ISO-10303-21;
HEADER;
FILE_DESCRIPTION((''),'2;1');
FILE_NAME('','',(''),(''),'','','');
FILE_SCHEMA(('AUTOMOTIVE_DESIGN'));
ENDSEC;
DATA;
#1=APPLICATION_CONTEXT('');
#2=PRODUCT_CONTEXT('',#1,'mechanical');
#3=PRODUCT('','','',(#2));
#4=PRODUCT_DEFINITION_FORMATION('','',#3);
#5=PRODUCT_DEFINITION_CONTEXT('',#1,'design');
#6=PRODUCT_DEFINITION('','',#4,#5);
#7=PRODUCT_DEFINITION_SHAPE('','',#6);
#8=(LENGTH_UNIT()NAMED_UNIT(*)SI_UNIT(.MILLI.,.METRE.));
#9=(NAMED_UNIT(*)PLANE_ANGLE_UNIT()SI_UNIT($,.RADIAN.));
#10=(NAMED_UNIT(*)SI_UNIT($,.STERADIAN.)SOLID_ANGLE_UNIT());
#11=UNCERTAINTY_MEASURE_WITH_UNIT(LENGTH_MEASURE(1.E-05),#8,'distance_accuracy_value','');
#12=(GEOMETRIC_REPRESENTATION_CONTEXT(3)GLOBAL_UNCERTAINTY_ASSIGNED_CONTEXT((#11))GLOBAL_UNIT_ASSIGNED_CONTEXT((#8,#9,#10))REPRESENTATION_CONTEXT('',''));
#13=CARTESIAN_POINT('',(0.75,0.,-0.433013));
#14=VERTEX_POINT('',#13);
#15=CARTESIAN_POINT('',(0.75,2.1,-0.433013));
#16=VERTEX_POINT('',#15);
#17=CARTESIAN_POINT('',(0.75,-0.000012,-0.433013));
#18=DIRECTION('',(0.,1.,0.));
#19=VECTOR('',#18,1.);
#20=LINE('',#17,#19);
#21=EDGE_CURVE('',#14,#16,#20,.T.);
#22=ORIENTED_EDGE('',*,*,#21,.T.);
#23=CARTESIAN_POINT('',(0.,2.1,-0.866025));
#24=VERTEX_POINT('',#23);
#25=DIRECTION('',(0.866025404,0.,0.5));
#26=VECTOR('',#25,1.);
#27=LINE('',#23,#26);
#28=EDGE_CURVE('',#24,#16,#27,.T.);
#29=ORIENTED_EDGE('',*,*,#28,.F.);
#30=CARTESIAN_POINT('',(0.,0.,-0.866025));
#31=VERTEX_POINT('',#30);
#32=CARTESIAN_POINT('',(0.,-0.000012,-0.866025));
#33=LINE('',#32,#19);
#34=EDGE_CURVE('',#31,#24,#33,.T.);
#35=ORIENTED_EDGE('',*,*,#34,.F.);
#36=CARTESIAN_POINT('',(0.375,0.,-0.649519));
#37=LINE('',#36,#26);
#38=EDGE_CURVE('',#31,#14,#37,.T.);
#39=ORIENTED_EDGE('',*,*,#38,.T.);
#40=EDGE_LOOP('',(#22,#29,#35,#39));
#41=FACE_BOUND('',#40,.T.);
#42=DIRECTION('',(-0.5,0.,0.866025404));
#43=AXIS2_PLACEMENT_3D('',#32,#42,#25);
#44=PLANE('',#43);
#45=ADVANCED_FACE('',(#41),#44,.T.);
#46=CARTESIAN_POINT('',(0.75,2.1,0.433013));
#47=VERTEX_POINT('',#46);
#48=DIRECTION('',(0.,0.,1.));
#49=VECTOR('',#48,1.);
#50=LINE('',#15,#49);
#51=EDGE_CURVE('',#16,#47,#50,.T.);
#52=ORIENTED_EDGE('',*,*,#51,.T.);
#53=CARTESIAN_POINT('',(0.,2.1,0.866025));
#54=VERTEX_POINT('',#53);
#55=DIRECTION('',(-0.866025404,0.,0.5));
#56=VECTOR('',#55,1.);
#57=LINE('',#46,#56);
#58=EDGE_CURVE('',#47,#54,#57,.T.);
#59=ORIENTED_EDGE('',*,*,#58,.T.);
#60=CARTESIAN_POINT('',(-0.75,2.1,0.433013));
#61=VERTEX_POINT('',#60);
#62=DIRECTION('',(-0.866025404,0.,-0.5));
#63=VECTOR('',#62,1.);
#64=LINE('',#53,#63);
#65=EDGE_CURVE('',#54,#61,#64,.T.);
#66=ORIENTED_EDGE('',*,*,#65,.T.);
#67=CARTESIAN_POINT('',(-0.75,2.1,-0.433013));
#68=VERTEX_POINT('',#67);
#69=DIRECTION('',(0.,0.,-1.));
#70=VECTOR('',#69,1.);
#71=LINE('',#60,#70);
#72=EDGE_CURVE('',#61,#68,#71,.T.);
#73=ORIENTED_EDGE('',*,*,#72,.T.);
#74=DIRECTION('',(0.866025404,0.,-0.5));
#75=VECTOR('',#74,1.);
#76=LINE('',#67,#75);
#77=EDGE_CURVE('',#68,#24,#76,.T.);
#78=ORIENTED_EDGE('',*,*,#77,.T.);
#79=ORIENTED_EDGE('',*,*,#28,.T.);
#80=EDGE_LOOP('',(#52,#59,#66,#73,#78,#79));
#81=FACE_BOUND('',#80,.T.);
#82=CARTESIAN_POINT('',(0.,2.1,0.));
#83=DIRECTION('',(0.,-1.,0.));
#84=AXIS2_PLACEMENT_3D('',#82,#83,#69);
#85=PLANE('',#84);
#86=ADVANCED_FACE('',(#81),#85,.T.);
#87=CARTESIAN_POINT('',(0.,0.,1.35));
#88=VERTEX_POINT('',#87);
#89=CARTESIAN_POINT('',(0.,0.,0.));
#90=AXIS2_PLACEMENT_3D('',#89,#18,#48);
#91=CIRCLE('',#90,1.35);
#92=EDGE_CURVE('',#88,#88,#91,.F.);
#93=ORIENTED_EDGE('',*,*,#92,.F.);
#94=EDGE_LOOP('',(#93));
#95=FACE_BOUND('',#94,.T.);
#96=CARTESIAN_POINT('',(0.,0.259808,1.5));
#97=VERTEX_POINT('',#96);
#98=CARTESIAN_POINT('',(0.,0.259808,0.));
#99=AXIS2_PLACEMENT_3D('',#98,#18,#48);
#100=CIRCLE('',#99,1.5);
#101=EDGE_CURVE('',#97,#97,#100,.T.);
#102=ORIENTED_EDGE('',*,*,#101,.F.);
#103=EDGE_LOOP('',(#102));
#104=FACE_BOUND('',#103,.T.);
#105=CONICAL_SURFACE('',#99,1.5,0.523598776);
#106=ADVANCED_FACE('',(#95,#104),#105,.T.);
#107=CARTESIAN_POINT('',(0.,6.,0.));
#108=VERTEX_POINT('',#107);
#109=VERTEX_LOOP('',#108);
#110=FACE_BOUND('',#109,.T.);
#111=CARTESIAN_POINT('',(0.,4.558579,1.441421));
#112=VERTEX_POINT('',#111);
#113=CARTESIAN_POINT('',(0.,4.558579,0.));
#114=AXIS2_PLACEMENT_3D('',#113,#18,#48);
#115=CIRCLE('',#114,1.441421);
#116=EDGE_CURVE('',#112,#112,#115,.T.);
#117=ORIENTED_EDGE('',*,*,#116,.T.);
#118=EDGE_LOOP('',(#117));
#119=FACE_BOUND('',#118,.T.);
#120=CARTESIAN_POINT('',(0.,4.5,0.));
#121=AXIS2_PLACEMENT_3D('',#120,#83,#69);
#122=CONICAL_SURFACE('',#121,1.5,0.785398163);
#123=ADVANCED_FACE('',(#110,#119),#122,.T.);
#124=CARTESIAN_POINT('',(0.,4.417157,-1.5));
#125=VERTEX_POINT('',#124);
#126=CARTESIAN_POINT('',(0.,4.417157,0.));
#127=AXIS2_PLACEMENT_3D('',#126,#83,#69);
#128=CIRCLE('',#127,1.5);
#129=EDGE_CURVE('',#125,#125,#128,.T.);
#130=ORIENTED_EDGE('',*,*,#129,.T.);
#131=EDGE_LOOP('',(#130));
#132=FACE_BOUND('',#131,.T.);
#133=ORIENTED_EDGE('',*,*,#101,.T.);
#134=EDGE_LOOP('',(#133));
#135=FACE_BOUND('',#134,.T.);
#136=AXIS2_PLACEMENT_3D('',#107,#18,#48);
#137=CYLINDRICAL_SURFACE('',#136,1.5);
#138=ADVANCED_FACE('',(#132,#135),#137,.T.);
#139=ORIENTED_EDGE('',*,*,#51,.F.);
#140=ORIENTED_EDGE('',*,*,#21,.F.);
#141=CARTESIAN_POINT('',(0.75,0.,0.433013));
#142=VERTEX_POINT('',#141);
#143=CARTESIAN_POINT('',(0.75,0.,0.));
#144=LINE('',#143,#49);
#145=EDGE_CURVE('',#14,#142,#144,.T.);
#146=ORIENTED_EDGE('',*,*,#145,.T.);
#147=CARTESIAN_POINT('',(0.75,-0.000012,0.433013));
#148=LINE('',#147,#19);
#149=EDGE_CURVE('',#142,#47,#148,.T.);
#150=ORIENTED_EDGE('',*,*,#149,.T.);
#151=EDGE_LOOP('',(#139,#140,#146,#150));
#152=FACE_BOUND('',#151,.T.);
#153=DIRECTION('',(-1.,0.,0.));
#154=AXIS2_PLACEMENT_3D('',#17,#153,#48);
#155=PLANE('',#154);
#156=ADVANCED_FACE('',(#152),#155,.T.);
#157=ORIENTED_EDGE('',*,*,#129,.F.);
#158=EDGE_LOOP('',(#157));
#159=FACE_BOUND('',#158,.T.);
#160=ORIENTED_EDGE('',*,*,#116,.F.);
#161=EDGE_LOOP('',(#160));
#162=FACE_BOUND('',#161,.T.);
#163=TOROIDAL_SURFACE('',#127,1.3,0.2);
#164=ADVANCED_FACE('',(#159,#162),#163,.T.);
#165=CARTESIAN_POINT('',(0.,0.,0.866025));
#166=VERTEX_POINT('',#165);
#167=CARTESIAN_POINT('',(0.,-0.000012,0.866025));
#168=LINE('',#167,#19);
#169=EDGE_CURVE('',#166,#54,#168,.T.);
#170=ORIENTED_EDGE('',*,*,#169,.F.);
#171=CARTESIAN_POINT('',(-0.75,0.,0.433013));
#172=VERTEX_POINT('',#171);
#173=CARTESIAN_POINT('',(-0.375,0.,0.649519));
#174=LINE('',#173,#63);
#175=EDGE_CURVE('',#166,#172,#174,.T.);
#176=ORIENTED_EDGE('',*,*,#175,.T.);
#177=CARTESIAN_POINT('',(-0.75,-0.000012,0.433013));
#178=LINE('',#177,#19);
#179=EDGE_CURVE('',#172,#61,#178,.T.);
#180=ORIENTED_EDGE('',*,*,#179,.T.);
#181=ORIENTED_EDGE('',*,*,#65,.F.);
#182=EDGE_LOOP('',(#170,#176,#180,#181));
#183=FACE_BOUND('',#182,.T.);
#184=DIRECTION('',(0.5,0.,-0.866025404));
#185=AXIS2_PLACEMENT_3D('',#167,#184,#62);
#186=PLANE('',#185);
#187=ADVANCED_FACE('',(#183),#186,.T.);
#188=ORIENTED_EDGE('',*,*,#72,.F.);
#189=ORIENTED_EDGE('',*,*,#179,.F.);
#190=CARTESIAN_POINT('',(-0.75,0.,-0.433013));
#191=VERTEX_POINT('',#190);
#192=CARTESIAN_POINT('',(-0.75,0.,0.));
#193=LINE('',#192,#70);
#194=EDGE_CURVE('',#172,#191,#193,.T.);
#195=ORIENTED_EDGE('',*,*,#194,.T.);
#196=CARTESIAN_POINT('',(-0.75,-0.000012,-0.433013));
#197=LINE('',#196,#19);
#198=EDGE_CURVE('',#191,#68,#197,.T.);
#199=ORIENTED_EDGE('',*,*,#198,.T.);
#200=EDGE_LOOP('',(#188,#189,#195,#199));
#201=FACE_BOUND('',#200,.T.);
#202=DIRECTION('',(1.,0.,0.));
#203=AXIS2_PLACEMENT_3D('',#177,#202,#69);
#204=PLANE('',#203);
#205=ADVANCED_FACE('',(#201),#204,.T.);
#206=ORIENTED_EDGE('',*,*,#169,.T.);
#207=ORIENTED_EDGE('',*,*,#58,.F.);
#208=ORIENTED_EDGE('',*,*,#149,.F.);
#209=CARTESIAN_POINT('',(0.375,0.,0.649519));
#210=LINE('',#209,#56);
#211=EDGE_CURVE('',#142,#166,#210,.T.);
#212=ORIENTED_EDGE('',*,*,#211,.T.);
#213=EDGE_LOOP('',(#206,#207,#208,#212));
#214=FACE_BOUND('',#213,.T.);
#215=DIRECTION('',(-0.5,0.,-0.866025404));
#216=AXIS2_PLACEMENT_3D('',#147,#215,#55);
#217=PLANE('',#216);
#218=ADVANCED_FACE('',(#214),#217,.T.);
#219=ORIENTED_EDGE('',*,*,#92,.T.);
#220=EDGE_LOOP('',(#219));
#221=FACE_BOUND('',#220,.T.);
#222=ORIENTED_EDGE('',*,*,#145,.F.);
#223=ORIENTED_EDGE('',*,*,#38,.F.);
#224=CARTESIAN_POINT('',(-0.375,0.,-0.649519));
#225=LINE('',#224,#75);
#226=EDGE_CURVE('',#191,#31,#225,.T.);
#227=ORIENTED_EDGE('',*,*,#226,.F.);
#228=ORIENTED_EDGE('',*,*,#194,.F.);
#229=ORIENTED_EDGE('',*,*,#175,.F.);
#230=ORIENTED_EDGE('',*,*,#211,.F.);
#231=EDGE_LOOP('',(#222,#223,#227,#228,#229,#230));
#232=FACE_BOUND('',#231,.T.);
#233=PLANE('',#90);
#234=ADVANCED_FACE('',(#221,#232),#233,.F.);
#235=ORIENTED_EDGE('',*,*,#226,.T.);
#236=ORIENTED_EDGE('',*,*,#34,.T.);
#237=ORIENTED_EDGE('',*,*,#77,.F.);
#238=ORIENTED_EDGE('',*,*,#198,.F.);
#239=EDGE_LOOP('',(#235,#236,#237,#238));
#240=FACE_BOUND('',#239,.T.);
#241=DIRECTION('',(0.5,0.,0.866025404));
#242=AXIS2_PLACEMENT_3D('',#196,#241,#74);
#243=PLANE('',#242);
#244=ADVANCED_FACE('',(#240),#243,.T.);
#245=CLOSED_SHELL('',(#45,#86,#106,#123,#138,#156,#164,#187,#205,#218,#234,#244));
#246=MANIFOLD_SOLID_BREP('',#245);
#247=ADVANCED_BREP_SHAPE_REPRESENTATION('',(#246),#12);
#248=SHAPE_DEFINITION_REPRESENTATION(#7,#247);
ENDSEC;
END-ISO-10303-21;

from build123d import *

# Parameters (mm, degrees)
FILLET1_R               = 0.2
CUT_EXTRUDE1_DEPTH      = 7.363961172
CUT_EXTRUDE1_DEPTH_BACK = 2.1
CHAMFER1_SIZE           = 0.15
CHAMFER1_SIZE2          = 0.259807621


with BuildPart() as part:
    # Sketch1 → Revolve1 (revolve)
    with BuildSketch(Plane.XY, mode=Mode.PRIVATE) as revolve1_sk:
        Polygon((1.5, 4.5), (0, 6), (0, 3.478320035), (0, 0), (1.5, 0), align=None)
    revolve(revolve1_sk.sketch.rotate(Axis((0, 6, 0), (0, -1, 0)), 270), axis=Axis((0, 6, 0), (0, -1, 0)))

    # Fillet1
    fillet1_edges = [part.edges().sort_by_distance(p)[0] for p in [
        (0, 4.5, 1.5),
    ]]
    fillet(fillet1_edges, radius=FILLET1_R)

    # Sketch2 → Cut-Extrude1 (cut, two sides: drawn at the far end of the back side and taken through both)
    with BuildSketch(Plane.XZ.offset(-CUT_EXTRUDE1_DEPTH_BACK)):
        Polygon((0, 0.866025404), (-0.75, 0.433012702), (-0.75, -0.433012702), (0, -0.866025404), (0.75, -0.433012702), (0.75, 0.433012702), align=None)
    extrude(amount=CUT_EXTRUDE1_DEPTH + CUT_EXTRUDE1_DEPTH_BACK, mode=Mode.SUBTRACT)

    # Chamfer1
    chamfer1_edges = [part.edges().sort_by_distance(p)[0] for p in [
        (0, 0, 1.5),
    ]]
    chamfer1_side = [part.faces().sort_by_distance(p)[0] for p in [
        (0, 0, 1.457573593),
    ]]
    chamfer(chamfer1_edges, length=CHAMFER1_SIZE, length2=CHAMFER1_SIZE2, reference=chamfer1_side[0])


solid = part.part
